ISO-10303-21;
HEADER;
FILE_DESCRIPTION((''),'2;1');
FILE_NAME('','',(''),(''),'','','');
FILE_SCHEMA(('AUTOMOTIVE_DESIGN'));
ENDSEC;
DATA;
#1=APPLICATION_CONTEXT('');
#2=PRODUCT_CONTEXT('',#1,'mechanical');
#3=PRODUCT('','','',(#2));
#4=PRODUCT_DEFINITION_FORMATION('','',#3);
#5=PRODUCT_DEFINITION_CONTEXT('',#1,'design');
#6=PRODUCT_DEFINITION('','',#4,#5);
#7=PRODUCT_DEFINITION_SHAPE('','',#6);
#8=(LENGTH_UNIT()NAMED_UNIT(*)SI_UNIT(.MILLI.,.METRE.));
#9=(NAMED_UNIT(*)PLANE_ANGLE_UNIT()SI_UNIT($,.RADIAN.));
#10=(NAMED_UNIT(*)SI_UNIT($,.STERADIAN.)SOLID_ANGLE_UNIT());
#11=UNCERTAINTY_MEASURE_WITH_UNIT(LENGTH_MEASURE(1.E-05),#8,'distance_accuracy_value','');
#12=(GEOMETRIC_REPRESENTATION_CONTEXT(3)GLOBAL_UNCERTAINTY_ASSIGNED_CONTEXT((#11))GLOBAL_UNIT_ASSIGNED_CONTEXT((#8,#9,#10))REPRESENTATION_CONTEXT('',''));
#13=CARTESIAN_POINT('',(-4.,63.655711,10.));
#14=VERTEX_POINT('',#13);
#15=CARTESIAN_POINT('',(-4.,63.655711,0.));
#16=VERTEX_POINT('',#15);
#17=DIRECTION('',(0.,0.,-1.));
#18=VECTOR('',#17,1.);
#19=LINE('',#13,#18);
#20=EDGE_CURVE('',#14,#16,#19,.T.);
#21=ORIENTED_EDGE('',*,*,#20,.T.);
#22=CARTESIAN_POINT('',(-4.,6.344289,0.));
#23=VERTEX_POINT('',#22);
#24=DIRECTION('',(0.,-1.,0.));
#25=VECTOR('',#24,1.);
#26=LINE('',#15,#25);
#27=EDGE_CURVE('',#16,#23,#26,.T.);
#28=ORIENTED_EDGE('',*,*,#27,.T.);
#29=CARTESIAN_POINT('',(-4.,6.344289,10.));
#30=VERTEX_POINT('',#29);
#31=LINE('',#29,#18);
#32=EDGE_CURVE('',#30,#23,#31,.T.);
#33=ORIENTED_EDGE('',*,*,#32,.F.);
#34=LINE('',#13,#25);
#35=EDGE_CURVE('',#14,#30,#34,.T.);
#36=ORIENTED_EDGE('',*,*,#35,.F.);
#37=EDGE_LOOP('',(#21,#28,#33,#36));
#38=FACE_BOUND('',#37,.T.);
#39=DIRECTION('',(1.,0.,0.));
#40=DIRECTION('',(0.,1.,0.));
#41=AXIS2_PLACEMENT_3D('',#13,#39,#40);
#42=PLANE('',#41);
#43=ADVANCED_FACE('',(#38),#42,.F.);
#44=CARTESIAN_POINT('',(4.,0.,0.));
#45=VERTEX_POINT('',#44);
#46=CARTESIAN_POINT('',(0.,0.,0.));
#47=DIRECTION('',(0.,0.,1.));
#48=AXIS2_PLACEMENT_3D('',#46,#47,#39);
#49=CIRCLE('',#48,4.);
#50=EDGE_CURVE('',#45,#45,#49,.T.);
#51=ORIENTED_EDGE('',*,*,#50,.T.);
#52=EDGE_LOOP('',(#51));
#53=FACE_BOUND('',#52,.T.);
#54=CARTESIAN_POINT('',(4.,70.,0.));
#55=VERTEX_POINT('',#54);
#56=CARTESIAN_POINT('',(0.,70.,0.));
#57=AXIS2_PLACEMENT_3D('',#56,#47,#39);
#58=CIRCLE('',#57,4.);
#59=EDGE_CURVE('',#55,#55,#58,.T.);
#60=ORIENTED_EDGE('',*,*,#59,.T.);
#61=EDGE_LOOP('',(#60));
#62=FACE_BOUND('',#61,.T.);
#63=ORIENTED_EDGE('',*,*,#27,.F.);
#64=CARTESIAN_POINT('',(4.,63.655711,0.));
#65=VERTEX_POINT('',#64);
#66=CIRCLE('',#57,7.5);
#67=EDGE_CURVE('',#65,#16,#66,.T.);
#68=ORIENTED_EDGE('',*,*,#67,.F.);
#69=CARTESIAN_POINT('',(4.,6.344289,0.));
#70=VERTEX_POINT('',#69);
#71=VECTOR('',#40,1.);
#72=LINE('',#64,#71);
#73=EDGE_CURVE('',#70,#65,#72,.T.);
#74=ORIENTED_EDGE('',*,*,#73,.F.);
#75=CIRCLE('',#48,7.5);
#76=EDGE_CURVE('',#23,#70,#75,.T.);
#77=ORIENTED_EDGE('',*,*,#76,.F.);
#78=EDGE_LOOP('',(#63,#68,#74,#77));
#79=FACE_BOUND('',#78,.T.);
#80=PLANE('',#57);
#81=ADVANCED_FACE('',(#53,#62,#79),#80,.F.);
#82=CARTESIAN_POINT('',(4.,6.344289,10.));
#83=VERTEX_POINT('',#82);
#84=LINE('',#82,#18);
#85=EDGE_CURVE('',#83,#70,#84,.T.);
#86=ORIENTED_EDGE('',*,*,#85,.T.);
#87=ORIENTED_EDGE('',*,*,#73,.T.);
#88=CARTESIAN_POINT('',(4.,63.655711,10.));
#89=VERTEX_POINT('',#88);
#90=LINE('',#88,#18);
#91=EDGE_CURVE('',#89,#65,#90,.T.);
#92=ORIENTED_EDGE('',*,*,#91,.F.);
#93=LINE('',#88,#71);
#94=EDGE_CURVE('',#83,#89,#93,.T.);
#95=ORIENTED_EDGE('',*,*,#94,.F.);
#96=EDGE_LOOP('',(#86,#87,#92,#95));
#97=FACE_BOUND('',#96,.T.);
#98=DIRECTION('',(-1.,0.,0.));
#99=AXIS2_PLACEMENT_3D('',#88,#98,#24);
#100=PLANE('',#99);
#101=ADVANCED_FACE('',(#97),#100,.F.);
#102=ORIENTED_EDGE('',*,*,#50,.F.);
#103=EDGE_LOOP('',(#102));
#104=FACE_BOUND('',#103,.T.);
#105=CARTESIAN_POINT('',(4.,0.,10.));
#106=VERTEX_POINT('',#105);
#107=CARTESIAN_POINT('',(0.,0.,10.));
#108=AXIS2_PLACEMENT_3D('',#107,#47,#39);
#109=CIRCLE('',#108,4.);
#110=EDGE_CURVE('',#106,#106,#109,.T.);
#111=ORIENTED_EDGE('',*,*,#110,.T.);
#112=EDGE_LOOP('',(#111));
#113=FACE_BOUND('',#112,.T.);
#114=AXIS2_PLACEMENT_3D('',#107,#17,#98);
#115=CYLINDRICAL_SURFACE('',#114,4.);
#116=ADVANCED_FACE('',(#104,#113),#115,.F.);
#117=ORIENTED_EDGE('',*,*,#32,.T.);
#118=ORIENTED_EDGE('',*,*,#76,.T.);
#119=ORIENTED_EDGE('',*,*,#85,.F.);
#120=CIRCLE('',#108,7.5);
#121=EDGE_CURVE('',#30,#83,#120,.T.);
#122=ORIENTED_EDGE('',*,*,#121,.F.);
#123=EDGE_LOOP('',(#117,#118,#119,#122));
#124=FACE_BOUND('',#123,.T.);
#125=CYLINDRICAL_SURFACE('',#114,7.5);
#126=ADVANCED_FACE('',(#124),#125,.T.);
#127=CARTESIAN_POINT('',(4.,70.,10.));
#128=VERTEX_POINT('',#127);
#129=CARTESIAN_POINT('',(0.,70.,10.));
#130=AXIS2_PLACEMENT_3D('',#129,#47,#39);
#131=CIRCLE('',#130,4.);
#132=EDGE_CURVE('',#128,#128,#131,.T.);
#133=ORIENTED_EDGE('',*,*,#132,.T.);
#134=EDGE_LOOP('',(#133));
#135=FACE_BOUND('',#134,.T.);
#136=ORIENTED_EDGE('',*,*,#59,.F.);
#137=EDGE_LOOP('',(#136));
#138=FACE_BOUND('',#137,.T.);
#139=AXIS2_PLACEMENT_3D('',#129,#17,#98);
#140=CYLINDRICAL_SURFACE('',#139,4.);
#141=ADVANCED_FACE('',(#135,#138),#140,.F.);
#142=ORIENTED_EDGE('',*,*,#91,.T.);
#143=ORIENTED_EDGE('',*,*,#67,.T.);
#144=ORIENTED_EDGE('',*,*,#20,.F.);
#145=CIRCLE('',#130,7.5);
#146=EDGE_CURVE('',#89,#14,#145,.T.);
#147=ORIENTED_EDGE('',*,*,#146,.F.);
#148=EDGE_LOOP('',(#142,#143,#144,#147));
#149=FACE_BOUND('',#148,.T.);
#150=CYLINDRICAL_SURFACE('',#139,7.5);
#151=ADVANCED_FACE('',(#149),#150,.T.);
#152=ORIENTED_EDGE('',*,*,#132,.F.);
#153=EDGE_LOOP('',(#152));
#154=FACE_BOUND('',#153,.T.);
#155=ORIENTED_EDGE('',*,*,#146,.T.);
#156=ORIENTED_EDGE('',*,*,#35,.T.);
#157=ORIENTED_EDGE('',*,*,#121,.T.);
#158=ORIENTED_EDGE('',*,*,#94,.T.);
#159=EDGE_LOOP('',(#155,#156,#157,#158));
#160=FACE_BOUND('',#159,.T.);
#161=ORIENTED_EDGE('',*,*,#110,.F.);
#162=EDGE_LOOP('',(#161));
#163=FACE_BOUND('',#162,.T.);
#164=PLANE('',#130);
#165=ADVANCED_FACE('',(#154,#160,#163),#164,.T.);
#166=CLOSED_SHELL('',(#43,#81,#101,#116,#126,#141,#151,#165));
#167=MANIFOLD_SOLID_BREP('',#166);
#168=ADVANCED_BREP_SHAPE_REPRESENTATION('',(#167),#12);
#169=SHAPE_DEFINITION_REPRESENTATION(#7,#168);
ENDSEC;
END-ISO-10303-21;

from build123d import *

# Parameters (mm, degrees)
ESBO_O1_R                = 4
RESSALTO_EXTRUS_O1_DEPTH = 10


with BuildPart() as part:
    # Esboço1 → Ressalto-extrusão1 (new body)
    with BuildSketch(Plane.XY):
        with BuildLine():
            Line((4, 63.65571123), (4, 6.34428877))
            ThreePointArc((4, 6.34428877), (0, -7.5), (-4, 6.34428877))
            Line((-4, 6.34428877), (-4, 63.65571123))
            ThreePointArc((-4, 63.65571123), (0, 77.5), (4, 63.65571123))
        make_face()
        with Locations((0, 70)):
            Circle(ESBO_O1_R, mode=Mode.SUBTRACT)
        Circle(ESBO_O1_R, mode=Mode.SUBTRACT)
    extrude(amount=RESSALTO_EXTRUS_O1_DEPTH)


solid = part.part
